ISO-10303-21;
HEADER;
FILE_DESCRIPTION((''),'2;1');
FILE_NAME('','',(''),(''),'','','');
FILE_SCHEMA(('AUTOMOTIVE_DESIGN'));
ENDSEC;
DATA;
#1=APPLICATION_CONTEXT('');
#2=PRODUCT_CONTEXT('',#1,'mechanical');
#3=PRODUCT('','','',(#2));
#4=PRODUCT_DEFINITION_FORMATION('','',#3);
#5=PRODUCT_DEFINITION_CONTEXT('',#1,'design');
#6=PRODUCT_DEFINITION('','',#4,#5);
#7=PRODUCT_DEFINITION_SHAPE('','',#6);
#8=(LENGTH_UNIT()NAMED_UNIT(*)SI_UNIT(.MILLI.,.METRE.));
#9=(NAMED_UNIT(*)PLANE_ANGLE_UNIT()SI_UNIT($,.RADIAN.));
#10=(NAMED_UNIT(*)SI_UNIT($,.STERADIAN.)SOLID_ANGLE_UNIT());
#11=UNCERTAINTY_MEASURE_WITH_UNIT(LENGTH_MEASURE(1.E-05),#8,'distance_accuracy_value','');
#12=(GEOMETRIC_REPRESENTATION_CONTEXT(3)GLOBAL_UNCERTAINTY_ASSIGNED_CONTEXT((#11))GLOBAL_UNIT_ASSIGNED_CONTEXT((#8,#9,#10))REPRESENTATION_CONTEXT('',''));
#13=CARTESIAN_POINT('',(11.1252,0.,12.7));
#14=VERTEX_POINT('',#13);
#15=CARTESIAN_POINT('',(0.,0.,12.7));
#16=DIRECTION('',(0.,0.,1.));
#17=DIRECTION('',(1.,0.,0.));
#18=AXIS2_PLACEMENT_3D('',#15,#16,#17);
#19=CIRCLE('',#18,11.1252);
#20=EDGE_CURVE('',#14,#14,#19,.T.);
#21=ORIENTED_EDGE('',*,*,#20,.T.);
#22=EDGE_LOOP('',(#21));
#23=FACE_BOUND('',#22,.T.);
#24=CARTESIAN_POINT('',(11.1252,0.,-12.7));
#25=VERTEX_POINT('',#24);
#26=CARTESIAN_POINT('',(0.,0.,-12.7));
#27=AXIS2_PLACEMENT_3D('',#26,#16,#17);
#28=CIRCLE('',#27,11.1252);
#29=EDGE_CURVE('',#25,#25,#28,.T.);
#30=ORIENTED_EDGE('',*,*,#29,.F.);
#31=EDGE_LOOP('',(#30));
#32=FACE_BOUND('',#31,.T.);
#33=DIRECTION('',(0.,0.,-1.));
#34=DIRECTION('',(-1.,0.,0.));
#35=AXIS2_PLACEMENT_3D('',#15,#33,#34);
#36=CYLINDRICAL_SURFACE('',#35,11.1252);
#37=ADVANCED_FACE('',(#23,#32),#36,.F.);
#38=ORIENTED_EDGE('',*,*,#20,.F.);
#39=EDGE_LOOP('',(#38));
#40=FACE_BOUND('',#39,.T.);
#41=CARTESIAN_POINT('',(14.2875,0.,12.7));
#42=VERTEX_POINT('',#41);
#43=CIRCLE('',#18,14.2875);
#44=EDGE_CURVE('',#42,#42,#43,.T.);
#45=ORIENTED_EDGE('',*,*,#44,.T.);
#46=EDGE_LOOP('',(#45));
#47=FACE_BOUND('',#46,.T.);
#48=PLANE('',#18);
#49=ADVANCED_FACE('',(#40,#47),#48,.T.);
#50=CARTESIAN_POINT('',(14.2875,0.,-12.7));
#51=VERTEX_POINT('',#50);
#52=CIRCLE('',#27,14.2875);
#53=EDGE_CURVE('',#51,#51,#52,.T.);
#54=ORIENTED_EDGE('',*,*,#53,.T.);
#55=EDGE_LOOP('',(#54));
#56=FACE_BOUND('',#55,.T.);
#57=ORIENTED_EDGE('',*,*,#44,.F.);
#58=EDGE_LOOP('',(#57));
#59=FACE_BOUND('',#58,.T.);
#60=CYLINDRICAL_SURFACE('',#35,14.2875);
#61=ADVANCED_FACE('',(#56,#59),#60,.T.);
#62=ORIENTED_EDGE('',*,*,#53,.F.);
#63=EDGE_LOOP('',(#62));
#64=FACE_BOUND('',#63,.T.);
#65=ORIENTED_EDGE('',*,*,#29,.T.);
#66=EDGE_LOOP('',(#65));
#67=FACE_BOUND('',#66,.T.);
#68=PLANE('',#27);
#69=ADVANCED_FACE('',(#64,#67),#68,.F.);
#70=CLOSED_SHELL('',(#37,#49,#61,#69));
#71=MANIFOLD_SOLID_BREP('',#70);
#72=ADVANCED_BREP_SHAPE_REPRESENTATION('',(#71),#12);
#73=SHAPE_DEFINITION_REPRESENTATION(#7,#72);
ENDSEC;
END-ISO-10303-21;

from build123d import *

# Parameters (mm, degrees)
SKETCH1_R      = 14.2875
SKETCH1_R_2    = 11.1252
EXTRUDE1_DEPTH = 12.7


with BuildPart() as part:
    # Sketch1 → Extrude1 (new body, symmetric)
    with BuildSketch(Plane.XY):
        Circle(SKETCH1_R)
        Circle(SKETCH1_R_2, mode=Mode.SUBTRACT)
    extrude(amount=EXTRUDE1_DEPTH, both=True)


solid = part.part
